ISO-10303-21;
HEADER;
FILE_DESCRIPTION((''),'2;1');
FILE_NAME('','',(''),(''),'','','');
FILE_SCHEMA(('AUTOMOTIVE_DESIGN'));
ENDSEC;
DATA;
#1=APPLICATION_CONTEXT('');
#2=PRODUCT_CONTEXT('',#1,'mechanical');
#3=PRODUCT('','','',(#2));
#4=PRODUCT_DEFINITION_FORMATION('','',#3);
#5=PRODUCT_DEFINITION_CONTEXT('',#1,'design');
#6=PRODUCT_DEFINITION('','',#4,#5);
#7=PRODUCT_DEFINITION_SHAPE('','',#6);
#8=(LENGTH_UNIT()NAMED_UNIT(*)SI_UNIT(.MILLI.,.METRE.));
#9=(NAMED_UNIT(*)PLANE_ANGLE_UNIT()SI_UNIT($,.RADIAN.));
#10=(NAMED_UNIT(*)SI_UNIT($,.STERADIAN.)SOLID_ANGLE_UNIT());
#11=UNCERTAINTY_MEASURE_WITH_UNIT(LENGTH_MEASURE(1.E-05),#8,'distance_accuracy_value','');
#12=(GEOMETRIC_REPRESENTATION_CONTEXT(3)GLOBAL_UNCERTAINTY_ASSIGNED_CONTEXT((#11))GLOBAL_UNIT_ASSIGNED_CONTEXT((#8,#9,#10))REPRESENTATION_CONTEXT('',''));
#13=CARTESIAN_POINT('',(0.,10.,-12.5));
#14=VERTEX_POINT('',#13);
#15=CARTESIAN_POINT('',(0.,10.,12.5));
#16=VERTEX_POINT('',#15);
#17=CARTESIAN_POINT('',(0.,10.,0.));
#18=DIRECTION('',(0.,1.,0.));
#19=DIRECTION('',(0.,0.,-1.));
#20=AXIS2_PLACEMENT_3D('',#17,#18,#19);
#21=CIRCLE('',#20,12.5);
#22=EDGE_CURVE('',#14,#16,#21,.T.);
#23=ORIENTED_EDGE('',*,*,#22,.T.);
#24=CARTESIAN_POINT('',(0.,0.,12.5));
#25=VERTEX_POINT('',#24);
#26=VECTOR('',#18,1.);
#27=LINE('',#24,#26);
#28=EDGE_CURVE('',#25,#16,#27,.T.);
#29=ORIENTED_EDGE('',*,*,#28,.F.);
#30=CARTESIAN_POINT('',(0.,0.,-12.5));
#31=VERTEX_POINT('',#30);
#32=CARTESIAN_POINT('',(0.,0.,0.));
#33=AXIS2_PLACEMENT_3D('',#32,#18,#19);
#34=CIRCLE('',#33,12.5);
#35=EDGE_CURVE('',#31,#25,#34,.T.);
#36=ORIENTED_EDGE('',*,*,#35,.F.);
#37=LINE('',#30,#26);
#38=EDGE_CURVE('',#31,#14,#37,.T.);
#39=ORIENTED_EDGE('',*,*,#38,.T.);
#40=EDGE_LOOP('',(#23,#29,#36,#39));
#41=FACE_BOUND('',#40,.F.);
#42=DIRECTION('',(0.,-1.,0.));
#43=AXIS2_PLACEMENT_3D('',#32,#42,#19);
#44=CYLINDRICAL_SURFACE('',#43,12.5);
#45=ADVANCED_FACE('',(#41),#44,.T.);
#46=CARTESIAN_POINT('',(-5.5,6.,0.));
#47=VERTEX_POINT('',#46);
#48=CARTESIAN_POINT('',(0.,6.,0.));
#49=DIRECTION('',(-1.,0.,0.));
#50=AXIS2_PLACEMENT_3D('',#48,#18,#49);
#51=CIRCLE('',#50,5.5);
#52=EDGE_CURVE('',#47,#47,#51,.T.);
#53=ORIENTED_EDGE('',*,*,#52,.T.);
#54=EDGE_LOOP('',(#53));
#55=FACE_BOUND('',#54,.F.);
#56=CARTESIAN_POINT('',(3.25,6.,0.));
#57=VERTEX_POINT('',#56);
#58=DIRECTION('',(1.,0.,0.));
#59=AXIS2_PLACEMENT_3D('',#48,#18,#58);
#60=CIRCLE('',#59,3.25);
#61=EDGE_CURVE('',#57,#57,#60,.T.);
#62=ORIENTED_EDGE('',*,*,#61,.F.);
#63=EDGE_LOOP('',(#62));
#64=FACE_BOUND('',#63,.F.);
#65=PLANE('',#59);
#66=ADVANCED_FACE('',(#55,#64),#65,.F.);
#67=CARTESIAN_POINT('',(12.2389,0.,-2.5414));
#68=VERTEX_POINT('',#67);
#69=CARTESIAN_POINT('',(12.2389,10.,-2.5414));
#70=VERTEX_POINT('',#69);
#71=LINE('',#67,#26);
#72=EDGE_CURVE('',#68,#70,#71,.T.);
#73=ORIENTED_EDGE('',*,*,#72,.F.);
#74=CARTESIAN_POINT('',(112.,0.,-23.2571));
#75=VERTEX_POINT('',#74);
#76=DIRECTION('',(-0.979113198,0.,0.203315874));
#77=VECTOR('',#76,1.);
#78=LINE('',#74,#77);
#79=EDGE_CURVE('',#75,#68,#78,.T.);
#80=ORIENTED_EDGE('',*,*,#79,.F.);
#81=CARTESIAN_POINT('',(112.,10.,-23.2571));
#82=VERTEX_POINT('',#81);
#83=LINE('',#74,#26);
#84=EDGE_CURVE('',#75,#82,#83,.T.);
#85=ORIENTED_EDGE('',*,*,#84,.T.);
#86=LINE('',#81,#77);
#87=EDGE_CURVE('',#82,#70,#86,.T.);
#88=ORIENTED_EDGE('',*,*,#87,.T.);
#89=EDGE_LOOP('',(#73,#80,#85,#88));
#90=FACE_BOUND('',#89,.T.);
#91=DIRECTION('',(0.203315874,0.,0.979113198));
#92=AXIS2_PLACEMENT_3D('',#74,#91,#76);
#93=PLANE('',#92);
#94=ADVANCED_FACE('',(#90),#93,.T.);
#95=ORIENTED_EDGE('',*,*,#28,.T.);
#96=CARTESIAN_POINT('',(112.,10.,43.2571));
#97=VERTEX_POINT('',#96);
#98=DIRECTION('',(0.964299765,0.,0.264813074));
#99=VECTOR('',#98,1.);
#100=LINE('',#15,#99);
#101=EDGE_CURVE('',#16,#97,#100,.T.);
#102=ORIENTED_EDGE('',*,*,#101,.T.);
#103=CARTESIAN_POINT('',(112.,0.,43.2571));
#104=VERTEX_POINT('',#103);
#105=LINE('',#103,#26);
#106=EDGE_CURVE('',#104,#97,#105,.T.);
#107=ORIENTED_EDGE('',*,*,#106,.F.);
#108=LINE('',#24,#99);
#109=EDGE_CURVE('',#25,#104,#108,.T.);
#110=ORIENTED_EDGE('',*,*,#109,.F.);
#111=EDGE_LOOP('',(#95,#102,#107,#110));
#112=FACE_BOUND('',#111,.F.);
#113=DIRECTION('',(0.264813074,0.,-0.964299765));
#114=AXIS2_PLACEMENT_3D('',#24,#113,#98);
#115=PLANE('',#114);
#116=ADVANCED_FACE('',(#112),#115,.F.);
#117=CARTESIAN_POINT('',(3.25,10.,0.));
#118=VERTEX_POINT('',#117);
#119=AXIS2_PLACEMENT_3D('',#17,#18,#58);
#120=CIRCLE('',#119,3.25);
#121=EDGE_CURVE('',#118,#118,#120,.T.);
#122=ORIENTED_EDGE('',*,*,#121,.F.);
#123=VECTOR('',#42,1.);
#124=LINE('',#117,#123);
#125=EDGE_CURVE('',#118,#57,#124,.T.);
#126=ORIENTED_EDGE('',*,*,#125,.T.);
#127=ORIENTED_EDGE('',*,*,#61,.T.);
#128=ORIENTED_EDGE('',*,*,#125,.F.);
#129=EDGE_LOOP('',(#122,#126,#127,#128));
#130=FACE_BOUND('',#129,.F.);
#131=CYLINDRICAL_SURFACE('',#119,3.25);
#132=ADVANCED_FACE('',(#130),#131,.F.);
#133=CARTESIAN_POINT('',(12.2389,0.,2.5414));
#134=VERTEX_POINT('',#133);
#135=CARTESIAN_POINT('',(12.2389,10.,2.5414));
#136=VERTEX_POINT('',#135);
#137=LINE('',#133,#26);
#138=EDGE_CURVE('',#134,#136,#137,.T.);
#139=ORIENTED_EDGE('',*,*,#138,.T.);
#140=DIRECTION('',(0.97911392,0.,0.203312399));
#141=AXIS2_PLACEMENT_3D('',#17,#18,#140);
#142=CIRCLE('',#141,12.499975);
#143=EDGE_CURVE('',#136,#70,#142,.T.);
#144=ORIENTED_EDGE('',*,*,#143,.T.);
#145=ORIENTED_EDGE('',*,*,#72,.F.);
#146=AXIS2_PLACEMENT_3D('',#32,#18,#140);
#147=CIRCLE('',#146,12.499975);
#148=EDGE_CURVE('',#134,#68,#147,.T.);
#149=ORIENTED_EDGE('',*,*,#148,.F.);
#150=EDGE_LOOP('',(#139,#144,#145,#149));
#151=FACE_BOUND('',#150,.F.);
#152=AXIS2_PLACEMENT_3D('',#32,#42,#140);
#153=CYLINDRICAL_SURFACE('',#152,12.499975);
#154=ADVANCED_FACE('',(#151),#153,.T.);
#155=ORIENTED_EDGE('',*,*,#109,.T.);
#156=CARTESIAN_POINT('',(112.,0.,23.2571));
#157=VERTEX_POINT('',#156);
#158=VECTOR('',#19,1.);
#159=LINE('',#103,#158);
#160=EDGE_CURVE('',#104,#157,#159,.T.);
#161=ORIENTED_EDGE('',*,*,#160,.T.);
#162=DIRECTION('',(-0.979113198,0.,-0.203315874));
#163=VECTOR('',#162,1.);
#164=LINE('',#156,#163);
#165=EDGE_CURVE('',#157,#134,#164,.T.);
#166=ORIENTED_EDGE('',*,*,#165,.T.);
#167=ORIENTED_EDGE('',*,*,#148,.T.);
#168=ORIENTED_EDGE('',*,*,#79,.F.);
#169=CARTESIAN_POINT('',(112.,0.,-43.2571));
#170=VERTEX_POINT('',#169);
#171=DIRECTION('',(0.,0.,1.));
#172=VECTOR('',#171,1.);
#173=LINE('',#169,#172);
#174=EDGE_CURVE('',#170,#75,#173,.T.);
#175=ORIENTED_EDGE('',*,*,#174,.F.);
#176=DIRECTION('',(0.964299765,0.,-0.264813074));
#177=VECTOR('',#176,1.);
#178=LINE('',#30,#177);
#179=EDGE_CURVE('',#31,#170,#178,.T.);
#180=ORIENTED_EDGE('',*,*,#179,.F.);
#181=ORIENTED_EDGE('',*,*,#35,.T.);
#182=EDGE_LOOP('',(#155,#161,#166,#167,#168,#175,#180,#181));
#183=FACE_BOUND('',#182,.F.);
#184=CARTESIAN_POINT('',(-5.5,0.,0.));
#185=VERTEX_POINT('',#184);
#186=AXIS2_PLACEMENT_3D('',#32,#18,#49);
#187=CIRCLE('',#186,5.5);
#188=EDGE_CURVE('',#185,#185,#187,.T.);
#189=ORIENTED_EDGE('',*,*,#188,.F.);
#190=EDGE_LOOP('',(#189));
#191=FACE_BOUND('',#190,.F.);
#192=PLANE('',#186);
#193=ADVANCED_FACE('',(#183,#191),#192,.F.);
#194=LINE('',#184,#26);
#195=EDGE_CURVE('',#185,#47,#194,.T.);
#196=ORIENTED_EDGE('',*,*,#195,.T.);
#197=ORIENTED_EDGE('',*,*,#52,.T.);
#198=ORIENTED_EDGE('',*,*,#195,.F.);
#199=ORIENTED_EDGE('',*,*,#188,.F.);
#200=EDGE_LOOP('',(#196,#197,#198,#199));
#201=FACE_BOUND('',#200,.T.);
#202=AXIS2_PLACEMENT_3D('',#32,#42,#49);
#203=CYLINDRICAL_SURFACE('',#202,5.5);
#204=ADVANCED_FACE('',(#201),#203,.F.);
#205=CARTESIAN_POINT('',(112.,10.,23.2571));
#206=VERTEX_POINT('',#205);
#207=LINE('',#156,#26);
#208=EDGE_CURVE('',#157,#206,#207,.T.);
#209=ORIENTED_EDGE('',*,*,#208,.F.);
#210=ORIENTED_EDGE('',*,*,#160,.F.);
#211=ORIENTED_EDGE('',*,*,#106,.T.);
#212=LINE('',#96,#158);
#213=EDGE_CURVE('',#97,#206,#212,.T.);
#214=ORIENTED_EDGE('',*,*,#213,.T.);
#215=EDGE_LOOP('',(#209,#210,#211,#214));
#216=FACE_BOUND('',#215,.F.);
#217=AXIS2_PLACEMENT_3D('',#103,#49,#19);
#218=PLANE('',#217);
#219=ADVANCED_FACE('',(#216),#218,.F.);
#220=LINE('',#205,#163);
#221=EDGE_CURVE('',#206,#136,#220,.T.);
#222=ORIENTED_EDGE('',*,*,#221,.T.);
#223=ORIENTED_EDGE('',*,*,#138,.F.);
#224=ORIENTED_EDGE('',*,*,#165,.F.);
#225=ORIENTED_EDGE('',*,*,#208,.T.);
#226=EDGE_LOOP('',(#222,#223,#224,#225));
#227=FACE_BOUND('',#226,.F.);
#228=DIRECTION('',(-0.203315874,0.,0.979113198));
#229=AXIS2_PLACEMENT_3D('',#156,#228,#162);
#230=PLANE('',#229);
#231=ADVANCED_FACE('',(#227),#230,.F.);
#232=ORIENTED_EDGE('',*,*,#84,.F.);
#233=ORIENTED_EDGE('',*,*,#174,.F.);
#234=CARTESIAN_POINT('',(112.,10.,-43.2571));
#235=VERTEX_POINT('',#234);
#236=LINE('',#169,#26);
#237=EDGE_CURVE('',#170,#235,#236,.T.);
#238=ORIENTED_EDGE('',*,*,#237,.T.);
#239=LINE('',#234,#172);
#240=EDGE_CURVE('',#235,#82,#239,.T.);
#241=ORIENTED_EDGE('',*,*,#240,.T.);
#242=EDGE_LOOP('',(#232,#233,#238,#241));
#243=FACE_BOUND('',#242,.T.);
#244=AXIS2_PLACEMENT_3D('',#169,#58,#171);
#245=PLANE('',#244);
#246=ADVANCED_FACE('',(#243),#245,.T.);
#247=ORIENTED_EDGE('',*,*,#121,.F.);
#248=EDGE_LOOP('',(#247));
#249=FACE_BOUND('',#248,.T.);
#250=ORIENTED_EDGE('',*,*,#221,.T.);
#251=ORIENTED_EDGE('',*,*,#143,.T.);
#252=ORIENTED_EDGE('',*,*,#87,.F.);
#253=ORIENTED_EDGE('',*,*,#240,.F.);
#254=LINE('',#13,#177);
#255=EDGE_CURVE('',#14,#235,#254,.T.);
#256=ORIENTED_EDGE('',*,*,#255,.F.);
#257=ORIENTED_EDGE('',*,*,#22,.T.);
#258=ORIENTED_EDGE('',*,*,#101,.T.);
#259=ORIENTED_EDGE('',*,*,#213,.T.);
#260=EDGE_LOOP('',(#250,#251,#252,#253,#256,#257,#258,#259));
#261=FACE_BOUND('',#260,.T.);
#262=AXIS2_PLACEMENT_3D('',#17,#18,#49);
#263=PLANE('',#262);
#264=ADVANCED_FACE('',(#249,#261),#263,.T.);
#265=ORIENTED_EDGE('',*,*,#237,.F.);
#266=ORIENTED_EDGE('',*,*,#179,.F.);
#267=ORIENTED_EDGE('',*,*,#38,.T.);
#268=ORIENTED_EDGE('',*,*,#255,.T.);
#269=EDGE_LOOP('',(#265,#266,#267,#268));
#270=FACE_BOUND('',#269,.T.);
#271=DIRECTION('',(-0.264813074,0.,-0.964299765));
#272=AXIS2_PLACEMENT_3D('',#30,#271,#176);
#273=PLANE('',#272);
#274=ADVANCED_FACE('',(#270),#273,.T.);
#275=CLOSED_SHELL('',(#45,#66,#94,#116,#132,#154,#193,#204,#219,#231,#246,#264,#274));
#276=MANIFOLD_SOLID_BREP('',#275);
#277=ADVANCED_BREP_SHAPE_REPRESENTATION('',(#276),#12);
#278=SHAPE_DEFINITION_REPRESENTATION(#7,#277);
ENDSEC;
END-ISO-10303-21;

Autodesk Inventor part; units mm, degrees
ref_plane "YZ Plane" through (0, 0, 0) normal (1, 0, 0) x (0, 1, 0)
ref_plane "XZ Plane" through (0, 0, 0) normal (0, 1, 0) x (-1, 0, 0)
ref_plane "XY Plane" through (0, 0, 0) normal (0, 0, 1) x (1, 0, 0)
sketch "Szkic5" plane through (0, 0, 0) normal (0, 1, 0) x (-1, 0, 0)
  circle A0 centre (0, 0) radius 3.25
  circle A1 centre (0, 0) radius 5.5
  line L0 (0, 0) -> (0, 33.8176) construction
  line L1 (0, 0) -> (-112, 0) construction
  line L2 (0, 0) -> (112, 0) construction
  line L3 (0, 12.5) -> (-112, 43.2571)
  line L4 (-112, 43.2571) -> (-112, 23.2571)
  line L5 (0, -12.5) -> (-112, -43.2571)
  line L6 (-112, -43.2571) -> (-112, -23.2571)
  line L7 (-112, 23.2571) -> (-12.2389, 2.5414)
  line L8 (-112, -23.2571) -> (-12.2389, -2.5414)
  arc A2 (-12.2389, 2.5414) -> (-12.2389, -2.5414) centre (0, 0) ccw
  arc A3 (0, -12.5) -> (0, 12.5) centre (0, 0) ccw
  dimension "d7" = 6.5
  dimension "d8" = 11
  dimension "d12" = 112
  dimension "d13" = 180
  dimension "d14" = 20
extrude "Wyciągnięcie proste1" add sketch "Szkic5" along normal blind 10 contours A3 L5 L6 L8 A2 L7 L4 L3
sketch "Szkic6" plane through (0, 10, 0) normal (0, 1, 0) x (1, 0, 0)
  circle A0 centre (0, 0) radius 5.5
  circle A1 centre (0, 0) radius 3.25
  dimension "d17" = 6.5
extrude "Wyciągnięcie proste2" add sketch "Szkic6" against normal blind 4
properties part number "stojak"
